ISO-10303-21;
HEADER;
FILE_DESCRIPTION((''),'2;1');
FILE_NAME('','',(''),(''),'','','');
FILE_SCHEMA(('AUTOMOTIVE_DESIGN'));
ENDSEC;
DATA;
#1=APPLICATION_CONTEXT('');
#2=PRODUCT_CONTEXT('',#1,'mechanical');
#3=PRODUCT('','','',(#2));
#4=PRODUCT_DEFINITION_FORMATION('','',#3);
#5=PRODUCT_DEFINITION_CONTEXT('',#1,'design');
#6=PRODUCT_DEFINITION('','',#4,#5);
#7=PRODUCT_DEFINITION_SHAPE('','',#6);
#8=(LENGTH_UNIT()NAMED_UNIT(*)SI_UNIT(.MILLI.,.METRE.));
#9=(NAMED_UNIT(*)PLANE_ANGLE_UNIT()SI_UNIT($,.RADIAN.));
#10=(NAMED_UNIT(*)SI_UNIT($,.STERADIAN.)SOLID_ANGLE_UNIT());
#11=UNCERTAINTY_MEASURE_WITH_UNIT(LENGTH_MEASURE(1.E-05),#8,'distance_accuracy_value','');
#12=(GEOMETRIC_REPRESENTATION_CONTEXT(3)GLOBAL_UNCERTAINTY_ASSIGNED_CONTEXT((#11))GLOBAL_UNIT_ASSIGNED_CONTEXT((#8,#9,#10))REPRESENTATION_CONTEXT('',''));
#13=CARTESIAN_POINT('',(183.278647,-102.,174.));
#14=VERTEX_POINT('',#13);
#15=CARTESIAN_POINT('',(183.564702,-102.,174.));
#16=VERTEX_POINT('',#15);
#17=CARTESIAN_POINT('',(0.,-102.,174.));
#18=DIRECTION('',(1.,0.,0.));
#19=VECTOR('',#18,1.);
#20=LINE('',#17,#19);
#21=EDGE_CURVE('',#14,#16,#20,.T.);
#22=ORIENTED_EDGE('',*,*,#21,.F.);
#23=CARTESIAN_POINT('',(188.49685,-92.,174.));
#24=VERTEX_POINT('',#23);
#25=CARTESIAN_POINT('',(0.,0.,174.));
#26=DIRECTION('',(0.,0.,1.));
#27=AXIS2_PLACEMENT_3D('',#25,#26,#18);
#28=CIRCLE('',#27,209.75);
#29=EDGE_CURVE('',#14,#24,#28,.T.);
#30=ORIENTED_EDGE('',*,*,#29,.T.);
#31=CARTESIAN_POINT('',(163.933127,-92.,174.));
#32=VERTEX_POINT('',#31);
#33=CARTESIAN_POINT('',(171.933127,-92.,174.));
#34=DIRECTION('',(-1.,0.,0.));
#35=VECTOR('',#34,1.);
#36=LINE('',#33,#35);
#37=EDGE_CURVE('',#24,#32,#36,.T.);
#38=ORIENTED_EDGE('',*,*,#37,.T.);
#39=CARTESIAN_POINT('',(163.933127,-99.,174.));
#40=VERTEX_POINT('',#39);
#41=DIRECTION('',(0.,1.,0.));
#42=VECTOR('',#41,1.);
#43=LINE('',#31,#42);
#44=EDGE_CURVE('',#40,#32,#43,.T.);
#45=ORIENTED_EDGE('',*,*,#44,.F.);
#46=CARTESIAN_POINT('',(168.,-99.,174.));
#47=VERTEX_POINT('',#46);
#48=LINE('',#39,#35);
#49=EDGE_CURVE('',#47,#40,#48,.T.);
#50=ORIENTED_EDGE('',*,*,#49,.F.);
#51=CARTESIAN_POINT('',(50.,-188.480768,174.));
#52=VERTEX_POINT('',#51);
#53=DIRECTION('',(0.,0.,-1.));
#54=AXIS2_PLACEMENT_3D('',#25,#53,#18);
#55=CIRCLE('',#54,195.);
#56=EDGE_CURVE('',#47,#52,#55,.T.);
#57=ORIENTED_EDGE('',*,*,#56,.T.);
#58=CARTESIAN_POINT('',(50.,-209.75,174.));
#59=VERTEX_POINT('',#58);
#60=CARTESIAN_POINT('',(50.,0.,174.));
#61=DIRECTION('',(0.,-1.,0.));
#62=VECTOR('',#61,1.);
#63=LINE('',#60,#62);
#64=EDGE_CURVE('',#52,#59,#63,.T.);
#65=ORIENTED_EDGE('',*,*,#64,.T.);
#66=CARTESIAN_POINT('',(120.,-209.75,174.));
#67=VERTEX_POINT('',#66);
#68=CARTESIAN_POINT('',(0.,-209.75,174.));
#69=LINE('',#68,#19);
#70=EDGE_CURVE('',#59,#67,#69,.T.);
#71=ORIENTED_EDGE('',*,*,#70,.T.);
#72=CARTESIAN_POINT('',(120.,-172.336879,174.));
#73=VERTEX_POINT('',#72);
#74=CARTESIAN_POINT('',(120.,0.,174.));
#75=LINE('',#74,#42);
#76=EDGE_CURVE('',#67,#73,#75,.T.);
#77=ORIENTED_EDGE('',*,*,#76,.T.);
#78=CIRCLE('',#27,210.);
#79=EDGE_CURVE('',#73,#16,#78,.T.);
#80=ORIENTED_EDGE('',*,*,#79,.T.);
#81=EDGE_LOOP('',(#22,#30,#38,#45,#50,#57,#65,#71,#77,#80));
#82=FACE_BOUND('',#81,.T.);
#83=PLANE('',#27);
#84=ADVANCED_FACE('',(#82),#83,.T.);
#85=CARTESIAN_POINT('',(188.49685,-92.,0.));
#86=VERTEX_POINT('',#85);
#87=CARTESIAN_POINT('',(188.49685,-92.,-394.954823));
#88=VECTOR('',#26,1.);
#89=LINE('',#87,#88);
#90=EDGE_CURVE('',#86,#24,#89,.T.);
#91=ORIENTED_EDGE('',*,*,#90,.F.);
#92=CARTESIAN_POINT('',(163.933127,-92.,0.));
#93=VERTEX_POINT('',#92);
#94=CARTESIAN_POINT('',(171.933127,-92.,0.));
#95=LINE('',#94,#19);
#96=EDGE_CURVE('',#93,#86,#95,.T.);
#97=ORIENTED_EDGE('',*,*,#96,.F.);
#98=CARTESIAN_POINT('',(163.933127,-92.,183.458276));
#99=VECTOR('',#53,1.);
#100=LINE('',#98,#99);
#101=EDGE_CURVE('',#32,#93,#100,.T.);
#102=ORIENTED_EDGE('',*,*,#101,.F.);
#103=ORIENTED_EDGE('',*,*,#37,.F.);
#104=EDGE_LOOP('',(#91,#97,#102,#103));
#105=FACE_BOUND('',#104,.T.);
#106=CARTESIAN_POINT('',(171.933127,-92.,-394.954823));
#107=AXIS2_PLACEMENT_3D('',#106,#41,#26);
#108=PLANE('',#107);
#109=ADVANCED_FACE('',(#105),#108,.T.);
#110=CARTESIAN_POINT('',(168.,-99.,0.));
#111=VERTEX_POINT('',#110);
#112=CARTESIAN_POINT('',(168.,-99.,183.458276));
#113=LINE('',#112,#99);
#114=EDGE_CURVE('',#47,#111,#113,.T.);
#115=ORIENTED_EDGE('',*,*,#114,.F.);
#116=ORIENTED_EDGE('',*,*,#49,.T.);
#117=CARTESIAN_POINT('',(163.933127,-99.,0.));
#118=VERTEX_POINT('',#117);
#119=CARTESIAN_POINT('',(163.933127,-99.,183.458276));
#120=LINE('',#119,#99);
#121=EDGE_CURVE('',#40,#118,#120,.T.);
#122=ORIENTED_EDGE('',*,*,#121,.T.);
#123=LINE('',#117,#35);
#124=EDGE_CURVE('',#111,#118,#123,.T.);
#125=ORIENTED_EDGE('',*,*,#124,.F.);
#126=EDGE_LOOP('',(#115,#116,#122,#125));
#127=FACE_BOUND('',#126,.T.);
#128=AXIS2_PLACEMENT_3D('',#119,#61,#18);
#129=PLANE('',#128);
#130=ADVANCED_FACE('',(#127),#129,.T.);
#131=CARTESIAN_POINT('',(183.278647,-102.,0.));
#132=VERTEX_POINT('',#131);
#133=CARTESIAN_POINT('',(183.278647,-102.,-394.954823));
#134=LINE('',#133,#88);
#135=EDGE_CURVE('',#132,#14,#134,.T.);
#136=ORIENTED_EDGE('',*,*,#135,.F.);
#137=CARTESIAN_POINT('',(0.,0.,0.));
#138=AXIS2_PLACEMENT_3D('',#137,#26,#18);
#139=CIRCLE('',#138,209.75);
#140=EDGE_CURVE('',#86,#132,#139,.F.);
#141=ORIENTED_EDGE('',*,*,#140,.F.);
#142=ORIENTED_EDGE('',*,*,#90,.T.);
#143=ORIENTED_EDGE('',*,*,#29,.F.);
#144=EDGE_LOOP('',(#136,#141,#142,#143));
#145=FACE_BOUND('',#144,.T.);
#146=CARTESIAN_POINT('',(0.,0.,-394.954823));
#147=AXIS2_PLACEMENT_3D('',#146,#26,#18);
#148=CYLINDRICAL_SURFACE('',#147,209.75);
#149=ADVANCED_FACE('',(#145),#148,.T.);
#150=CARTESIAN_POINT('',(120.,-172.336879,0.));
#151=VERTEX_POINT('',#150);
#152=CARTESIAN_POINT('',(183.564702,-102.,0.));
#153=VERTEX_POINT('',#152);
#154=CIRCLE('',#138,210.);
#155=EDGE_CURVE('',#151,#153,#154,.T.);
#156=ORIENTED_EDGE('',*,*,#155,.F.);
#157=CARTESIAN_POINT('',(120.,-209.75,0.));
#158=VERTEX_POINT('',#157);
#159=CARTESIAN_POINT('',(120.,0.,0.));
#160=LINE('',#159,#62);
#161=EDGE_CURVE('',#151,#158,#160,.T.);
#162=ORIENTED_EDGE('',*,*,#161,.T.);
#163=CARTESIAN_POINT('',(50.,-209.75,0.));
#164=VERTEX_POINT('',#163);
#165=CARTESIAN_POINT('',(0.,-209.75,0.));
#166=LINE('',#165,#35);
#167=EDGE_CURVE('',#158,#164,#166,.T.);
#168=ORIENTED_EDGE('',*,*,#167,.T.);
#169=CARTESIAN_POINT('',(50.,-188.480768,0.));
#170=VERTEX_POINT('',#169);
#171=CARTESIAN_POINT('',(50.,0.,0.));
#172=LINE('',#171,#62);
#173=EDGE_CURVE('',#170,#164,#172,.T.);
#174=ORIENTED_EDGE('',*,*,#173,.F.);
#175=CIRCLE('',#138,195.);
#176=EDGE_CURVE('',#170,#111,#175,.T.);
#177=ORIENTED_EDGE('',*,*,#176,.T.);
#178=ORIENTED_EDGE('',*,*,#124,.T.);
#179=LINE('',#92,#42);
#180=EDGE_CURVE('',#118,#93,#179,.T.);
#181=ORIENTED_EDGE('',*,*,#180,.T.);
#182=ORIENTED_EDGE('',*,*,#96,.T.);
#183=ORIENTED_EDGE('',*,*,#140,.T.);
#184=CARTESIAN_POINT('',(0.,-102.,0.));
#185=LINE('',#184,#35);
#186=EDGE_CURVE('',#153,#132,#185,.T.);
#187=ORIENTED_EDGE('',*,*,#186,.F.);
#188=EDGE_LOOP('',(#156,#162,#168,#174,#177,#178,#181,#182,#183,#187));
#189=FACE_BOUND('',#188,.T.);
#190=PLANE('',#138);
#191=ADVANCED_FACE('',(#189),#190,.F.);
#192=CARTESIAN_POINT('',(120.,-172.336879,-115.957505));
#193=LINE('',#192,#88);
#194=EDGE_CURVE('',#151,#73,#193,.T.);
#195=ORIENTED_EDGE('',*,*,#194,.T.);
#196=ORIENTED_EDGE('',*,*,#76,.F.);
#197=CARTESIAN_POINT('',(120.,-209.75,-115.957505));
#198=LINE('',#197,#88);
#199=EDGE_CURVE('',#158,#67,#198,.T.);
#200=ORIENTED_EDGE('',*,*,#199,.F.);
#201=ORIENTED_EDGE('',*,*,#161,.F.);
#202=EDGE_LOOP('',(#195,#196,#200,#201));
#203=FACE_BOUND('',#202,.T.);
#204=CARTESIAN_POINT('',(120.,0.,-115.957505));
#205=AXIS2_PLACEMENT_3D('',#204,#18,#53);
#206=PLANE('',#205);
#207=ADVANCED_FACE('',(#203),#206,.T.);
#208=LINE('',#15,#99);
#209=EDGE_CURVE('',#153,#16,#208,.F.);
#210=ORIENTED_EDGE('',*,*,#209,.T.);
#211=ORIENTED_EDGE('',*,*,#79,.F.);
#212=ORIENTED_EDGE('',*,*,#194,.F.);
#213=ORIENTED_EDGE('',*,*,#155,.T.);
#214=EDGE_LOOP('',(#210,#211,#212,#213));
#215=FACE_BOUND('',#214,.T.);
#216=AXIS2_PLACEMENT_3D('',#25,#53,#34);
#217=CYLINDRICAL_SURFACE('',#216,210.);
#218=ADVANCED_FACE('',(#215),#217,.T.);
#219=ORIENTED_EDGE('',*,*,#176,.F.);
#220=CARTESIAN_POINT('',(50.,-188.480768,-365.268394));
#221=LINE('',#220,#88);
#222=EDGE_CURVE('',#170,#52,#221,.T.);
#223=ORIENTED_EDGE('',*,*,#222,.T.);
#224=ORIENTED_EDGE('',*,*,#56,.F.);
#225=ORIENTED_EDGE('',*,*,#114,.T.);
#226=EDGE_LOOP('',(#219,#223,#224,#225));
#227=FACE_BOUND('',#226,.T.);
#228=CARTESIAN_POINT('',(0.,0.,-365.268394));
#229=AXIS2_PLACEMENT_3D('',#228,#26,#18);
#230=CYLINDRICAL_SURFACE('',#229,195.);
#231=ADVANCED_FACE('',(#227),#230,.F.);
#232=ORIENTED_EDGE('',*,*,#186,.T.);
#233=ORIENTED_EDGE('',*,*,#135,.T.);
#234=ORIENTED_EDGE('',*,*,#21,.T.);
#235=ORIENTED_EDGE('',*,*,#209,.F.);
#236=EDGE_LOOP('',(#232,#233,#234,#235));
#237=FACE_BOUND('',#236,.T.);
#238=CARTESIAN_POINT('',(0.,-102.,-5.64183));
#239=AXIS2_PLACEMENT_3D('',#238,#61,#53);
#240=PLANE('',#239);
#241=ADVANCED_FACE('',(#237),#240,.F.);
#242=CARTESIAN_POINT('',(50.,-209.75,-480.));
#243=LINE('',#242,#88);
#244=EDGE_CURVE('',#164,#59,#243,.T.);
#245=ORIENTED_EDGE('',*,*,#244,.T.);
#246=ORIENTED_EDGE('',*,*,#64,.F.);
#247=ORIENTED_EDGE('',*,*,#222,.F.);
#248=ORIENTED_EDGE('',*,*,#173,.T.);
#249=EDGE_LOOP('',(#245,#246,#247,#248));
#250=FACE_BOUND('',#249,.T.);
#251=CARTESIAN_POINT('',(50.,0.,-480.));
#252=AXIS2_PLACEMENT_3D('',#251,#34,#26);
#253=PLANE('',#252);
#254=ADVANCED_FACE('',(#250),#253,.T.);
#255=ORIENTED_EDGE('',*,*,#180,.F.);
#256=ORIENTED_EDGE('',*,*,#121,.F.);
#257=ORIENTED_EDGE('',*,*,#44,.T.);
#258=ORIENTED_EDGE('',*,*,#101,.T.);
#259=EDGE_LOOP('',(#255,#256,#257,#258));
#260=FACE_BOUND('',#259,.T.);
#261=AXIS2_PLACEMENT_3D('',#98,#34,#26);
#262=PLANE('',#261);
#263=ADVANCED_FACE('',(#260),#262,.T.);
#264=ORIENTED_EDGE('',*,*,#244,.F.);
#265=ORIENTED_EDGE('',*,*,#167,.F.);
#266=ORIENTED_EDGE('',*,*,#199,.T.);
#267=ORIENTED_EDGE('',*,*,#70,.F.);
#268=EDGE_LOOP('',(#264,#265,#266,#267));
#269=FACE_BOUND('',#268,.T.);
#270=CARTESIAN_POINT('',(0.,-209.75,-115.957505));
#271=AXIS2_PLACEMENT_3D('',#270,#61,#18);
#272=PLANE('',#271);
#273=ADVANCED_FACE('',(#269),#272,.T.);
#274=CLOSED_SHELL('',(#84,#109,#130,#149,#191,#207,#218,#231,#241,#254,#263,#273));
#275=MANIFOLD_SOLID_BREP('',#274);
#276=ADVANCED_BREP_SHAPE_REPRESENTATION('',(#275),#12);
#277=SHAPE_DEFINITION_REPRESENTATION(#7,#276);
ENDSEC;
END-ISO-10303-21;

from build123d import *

# Parameters (mm, degrees)
SKETCH_1_R          = 210
SKETCH_1_R_2        = 203
EXTRUDE_2_DEPTH     = 174
EXTRUDE_START       = -174
EXTRUDE_4_DEPTH     = 174
CUT_EXTRUDE_1_DEPTH = 654
EXTRUDE_5_DEPTH     = 174
EXTRUDE_6_DEPTH     = 174
EXTRUDE_7_DEPTH     = 174
EXTRUDE_8_DEPTH     = 174
CUT_EXTRUDE_START   = -654
CUT_EXTRUDE_2_DEPTH = 654
SKETCH_10_W         = 20.487801248
SKETCH_10_H         = 174
CUT_EXTRUDE_3_DEPTH = 327
SKETCH_11_W         = 235.63772895
SKETCH_11_H         = 249.192111589
CUT_EXTRUDE_4_DEPTH = 238


with BuildPart() as part:
    # 草图1 → 凸台-拉伸2 (new body)
    with BuildSketch(Plane.XY):
        Circle(SKETCH_1_R)
        Circle(SKETCH_1_R_2, mode=Mode.SUBTRACT)
    extrude(amount=EXTRUDE_2_DEPTH)

    # 草图2 → 凸台-拉伸4 (add)
    with BuildSketch(Plane.XY.offset(174).offset(EXTRUDE_START)):
        with BuildLine():
            Line((-170.735431044, -102), (-173.735431044, -102))
            Line((-173.735431044, -102), (-175.513532242, -102))
            ThreePointArc((-175.513532242, -102), (-174.63092392, -103.50381834), (-173.735431044, -105))
            Line((-173.735431044, -105), (-170.735431044, -105))
            Line((-170.735431044, -105), (-170.735431044, -102))
        make_face()
        with BuildLine():
            ThreePointArc((173.735431044, -105), (174.63092392, -103.50381834), (175.513532242, -102))
            Line((175.513532242, -102), (173.735431044, -102))
            Line((173.735431044, -102), (170.735431044, -102))
            Line((170.735431044, -102), (170.735431044, -105))
            Line((170.735431044, -105), (173.735431044, -105))
        make_face()
    extrude(amount=EXTRUDE_4_DEPTH)

    # 草图3 → 切除-拉伸1 (cut)
    with BuildSketch(Plane.XY.offset(174)):
        Polygon((-170.735431044, -102), (238.333646515, -102), (254.334169784, 272.292523591), (-334.569415043, 221.85110305), (-306.830562533, -102), align=None)
    extrude(amount=-CUT_EXTRUDE_1_DEPTH, mode=Mode.SUBTRACT)

    # 草图5 → 凸台-拉伸5 (add)
    with BuildSketch(Plane.XY.offset(174).offset(EXTRUDE_START)):
        with BuildLine():
            Line((-120, -209.75), (-10.243900624, -209.75))
            ThreePointArc((-10.243900624, -209.75), (-67.755470707, -198.769203322), (-120, -172.336879396))
            Line((-120, -172.336879396), (-120, -209.75))
        make_face()
        with BuildLine():
            ThreePointArc((120, -172.336879396), (67.755470707, -198.769203322), (10.243900624, -209.75))
            Line((10.243900624, -209.75), (120, -209.75))
            Line((120, -209.75), (120, -172.336879396))
        make_face()
    extrude(amount=EXTRUDE_5_DEPTH)

    # 草图6 → 凸台-拉伸6 (add)
    with BuildSketch(Plane.XY.offset(174).offset(EXTRUDE_START)):
        with BuildLine():
            Line((-175.513532242, -102), (-166.195667814, -102))
            ThreePointArc((-166.195667814, -102), (0, -195), (166.195667814, -102))
            Line((166.195667814, -102), (175.513532242, -102))
            ThreePointArc((175.513532242, -102), (0, -203), (-175.513532242, -102))
        make_face()
    extrude(amount=EXTRUDE_6_DEPTH)

    # 草图7 → 凸台-拉伸7 (add)
    with BuildSketch(Plane.XY.offset(174).offset(EXTRUDE_START)):
        with BuildLine():
            Line((-166.933126535, -92), (-166.933126535, -95))
            Line((-166.933126535, -95), (-170.293863659, -95))
            ThreePointArc((-170.293863659, -95), (0, -195), (170.293863659, -95))
            Line((170.293863659, -95), (166.933126535, -95))
            Line((166.933126535, -95), (166.933126535, -92))
            Line((166.933126535, -92), (171.933126535, -92))
            Line((171.933126535, -92), (188.496850106, -92))
            ThreePointArc((188.496850106, -92), (0, -209.75), (-188.496850106, -92))
            Line((-188.496850106, -92), (-171.933126535, -92))
            Line((-171.933126535, -92), (-166.933126535, -92))
        make_face()
    extrude(amount=EXTRUDE_7_DEPTH)

    # 草图8 → 凸台-拉伸8 (add)
    with BuildSketch(Plane(origin=(0, 0, 0), x_dir=(-1, 0, 0), z_dir=(0, 0, -1))):
        with BuildLine():
            Line((166.933126535, -92), (163.933126535, -92))
            Line((163.933126535, -92), (163.933126535, -99))
            Line((163.933126535, -99), (168, -99))
            ThreePointArc((168, -99), (169.158755456, -97.006780447), (170.293863659, -95))
            Line((170.293863659, -95), (166.933126535, -95))
            Line((166.933126535, -95), (166.933126535, -92))
        make_face()
        with BuildLine():
            Line((-166.933126535, -95), (-170.293863659, -95))
            ThreePointArc((-170.293863659, -95), (-169.158755456, -97.006780447), (-168, -99))
            Line((-168, -99), (-163.933126535, -99))
            Line((-163.933126535, -99), (-163.933126535, -92))
            Line((-163.933126535, -92), (-166.933126535, -92))
            Line((-166.933126535, -92), (-166.933126535, -95))
        make_face()
    extrude(amount=-EXTRUDE_8_DEPTH)

    # 草图9 → 切除-拉伸2 (cut)
    with BuildSketch(Plane.XY.offset(174).offset(CUT_EXTRUDE_START)):
        with BuildLine():
            Line((0, -195), (0, -182.225251044))
            Line((0, -182.225251044), (-50, -182.225251044))
            Line((-50, -182.225251044), (-50, -188.48076825))
            ThreePointArc((-50, -188.48076825), (-25.211606368, -193.363323576), (0, -195))
        make_face()
        with BuildLine():
            Line((0, -209.75), (0, -195))
            ThreePointArc((0, -195), (-25.211606368, -193.363323576), (-50, -188.48076825))
            Line((-50, -188.48076825), (-50, -195))
            Line((-50, -195), (-50, -209.75))
            Line((-50, -209.75), (-10.243900624, -209.75))
            Line((-10.243900624, -209.75), (0, -209.75))
        make_face()
        with BuildLine():
            ThreePointArc((50, -188.48076825), (25.211606368, -193.363323576), (0, -195))
            Line((0, -195), (0, -209.75))
            Line((0, -209.75), (10.243900624, -209.75))
            Line((10.243900624, -209.75), (50, -209.75))
            Line((50, -209.75), (50, -195))
            Line((50, -195), (50, -188.48076825))
        make_face()
        with BuildLine():
            Line((50, -182.225251044), (0, -182.225251044))
            Line((0, -182.225251044), (0, -195))
            ThreePointArc((0, -195), (25.211606368, -193.363323576), (50, -188.48076825))
            Line((50, -188.48076825), (50, -182.225251044))
        make_face()
    extrude(amount=CUT_EXTRUDE_2_DEPTH, mode=Mode.SUBTRACT)


with BuildPart() as cut_extrude_2_piece_1:
    # of the separate pieces the step leaves, piece 1, a body of its own (cut_extrude_2_pieces)
    add(part.part.solids().sort_by_distance((-183.564702489, -102, 0))[0])

    # 草图11 → 切除-拉伸4 (cut)
    with BuildSketch(Plane(origin=(0, 0, 0), x_dir=(-1, 0, 0), z_dir=(0, 0, -1))):
        with Locations((136.586471206, -141.23053543)):
            Rectangle(SKETCH_11_W, SKETCH_11_H)
    extrude(amount=-CUT_EXTRUDE_4_DEPTH, mode=Mode.SUBTRACT)


with BuildPart() as cut_extrude_2_piece_2:
    # of the separate pieces the step leaves, piece 2, a body of its own (cut_extrude_2_pieces)
    add(part.part.solids().sort_by_distance((50, -188.48076825, 0))[0])


with BuildPart() as cut_extrude_2_piece_3:
    # of the separate pieces the step leaves, piece 3, a body of its own (cut_extrude_2_pieces)
    add(part.part.solids().sort_by_distance((10.243900624, -209.75, 0))[0])

    # 草图10 → 切除-拉伸3 (cut, symmetric)
    with BuildSketch(Plane(origin=(0, -209.75, 0), x_dir=(1, 0, 0), z_dir=(0, 1, 0))):
        with Locations((0, -87)):
            Rectangle(SKETCH_10_W, SKETCH_10_H)
    extrude(amount=CUT_EXTRUDE_3_DEPTH, both=True, mode=Mode.SUBTRACT)


solid = cut_extrude_2_piece_2.part
